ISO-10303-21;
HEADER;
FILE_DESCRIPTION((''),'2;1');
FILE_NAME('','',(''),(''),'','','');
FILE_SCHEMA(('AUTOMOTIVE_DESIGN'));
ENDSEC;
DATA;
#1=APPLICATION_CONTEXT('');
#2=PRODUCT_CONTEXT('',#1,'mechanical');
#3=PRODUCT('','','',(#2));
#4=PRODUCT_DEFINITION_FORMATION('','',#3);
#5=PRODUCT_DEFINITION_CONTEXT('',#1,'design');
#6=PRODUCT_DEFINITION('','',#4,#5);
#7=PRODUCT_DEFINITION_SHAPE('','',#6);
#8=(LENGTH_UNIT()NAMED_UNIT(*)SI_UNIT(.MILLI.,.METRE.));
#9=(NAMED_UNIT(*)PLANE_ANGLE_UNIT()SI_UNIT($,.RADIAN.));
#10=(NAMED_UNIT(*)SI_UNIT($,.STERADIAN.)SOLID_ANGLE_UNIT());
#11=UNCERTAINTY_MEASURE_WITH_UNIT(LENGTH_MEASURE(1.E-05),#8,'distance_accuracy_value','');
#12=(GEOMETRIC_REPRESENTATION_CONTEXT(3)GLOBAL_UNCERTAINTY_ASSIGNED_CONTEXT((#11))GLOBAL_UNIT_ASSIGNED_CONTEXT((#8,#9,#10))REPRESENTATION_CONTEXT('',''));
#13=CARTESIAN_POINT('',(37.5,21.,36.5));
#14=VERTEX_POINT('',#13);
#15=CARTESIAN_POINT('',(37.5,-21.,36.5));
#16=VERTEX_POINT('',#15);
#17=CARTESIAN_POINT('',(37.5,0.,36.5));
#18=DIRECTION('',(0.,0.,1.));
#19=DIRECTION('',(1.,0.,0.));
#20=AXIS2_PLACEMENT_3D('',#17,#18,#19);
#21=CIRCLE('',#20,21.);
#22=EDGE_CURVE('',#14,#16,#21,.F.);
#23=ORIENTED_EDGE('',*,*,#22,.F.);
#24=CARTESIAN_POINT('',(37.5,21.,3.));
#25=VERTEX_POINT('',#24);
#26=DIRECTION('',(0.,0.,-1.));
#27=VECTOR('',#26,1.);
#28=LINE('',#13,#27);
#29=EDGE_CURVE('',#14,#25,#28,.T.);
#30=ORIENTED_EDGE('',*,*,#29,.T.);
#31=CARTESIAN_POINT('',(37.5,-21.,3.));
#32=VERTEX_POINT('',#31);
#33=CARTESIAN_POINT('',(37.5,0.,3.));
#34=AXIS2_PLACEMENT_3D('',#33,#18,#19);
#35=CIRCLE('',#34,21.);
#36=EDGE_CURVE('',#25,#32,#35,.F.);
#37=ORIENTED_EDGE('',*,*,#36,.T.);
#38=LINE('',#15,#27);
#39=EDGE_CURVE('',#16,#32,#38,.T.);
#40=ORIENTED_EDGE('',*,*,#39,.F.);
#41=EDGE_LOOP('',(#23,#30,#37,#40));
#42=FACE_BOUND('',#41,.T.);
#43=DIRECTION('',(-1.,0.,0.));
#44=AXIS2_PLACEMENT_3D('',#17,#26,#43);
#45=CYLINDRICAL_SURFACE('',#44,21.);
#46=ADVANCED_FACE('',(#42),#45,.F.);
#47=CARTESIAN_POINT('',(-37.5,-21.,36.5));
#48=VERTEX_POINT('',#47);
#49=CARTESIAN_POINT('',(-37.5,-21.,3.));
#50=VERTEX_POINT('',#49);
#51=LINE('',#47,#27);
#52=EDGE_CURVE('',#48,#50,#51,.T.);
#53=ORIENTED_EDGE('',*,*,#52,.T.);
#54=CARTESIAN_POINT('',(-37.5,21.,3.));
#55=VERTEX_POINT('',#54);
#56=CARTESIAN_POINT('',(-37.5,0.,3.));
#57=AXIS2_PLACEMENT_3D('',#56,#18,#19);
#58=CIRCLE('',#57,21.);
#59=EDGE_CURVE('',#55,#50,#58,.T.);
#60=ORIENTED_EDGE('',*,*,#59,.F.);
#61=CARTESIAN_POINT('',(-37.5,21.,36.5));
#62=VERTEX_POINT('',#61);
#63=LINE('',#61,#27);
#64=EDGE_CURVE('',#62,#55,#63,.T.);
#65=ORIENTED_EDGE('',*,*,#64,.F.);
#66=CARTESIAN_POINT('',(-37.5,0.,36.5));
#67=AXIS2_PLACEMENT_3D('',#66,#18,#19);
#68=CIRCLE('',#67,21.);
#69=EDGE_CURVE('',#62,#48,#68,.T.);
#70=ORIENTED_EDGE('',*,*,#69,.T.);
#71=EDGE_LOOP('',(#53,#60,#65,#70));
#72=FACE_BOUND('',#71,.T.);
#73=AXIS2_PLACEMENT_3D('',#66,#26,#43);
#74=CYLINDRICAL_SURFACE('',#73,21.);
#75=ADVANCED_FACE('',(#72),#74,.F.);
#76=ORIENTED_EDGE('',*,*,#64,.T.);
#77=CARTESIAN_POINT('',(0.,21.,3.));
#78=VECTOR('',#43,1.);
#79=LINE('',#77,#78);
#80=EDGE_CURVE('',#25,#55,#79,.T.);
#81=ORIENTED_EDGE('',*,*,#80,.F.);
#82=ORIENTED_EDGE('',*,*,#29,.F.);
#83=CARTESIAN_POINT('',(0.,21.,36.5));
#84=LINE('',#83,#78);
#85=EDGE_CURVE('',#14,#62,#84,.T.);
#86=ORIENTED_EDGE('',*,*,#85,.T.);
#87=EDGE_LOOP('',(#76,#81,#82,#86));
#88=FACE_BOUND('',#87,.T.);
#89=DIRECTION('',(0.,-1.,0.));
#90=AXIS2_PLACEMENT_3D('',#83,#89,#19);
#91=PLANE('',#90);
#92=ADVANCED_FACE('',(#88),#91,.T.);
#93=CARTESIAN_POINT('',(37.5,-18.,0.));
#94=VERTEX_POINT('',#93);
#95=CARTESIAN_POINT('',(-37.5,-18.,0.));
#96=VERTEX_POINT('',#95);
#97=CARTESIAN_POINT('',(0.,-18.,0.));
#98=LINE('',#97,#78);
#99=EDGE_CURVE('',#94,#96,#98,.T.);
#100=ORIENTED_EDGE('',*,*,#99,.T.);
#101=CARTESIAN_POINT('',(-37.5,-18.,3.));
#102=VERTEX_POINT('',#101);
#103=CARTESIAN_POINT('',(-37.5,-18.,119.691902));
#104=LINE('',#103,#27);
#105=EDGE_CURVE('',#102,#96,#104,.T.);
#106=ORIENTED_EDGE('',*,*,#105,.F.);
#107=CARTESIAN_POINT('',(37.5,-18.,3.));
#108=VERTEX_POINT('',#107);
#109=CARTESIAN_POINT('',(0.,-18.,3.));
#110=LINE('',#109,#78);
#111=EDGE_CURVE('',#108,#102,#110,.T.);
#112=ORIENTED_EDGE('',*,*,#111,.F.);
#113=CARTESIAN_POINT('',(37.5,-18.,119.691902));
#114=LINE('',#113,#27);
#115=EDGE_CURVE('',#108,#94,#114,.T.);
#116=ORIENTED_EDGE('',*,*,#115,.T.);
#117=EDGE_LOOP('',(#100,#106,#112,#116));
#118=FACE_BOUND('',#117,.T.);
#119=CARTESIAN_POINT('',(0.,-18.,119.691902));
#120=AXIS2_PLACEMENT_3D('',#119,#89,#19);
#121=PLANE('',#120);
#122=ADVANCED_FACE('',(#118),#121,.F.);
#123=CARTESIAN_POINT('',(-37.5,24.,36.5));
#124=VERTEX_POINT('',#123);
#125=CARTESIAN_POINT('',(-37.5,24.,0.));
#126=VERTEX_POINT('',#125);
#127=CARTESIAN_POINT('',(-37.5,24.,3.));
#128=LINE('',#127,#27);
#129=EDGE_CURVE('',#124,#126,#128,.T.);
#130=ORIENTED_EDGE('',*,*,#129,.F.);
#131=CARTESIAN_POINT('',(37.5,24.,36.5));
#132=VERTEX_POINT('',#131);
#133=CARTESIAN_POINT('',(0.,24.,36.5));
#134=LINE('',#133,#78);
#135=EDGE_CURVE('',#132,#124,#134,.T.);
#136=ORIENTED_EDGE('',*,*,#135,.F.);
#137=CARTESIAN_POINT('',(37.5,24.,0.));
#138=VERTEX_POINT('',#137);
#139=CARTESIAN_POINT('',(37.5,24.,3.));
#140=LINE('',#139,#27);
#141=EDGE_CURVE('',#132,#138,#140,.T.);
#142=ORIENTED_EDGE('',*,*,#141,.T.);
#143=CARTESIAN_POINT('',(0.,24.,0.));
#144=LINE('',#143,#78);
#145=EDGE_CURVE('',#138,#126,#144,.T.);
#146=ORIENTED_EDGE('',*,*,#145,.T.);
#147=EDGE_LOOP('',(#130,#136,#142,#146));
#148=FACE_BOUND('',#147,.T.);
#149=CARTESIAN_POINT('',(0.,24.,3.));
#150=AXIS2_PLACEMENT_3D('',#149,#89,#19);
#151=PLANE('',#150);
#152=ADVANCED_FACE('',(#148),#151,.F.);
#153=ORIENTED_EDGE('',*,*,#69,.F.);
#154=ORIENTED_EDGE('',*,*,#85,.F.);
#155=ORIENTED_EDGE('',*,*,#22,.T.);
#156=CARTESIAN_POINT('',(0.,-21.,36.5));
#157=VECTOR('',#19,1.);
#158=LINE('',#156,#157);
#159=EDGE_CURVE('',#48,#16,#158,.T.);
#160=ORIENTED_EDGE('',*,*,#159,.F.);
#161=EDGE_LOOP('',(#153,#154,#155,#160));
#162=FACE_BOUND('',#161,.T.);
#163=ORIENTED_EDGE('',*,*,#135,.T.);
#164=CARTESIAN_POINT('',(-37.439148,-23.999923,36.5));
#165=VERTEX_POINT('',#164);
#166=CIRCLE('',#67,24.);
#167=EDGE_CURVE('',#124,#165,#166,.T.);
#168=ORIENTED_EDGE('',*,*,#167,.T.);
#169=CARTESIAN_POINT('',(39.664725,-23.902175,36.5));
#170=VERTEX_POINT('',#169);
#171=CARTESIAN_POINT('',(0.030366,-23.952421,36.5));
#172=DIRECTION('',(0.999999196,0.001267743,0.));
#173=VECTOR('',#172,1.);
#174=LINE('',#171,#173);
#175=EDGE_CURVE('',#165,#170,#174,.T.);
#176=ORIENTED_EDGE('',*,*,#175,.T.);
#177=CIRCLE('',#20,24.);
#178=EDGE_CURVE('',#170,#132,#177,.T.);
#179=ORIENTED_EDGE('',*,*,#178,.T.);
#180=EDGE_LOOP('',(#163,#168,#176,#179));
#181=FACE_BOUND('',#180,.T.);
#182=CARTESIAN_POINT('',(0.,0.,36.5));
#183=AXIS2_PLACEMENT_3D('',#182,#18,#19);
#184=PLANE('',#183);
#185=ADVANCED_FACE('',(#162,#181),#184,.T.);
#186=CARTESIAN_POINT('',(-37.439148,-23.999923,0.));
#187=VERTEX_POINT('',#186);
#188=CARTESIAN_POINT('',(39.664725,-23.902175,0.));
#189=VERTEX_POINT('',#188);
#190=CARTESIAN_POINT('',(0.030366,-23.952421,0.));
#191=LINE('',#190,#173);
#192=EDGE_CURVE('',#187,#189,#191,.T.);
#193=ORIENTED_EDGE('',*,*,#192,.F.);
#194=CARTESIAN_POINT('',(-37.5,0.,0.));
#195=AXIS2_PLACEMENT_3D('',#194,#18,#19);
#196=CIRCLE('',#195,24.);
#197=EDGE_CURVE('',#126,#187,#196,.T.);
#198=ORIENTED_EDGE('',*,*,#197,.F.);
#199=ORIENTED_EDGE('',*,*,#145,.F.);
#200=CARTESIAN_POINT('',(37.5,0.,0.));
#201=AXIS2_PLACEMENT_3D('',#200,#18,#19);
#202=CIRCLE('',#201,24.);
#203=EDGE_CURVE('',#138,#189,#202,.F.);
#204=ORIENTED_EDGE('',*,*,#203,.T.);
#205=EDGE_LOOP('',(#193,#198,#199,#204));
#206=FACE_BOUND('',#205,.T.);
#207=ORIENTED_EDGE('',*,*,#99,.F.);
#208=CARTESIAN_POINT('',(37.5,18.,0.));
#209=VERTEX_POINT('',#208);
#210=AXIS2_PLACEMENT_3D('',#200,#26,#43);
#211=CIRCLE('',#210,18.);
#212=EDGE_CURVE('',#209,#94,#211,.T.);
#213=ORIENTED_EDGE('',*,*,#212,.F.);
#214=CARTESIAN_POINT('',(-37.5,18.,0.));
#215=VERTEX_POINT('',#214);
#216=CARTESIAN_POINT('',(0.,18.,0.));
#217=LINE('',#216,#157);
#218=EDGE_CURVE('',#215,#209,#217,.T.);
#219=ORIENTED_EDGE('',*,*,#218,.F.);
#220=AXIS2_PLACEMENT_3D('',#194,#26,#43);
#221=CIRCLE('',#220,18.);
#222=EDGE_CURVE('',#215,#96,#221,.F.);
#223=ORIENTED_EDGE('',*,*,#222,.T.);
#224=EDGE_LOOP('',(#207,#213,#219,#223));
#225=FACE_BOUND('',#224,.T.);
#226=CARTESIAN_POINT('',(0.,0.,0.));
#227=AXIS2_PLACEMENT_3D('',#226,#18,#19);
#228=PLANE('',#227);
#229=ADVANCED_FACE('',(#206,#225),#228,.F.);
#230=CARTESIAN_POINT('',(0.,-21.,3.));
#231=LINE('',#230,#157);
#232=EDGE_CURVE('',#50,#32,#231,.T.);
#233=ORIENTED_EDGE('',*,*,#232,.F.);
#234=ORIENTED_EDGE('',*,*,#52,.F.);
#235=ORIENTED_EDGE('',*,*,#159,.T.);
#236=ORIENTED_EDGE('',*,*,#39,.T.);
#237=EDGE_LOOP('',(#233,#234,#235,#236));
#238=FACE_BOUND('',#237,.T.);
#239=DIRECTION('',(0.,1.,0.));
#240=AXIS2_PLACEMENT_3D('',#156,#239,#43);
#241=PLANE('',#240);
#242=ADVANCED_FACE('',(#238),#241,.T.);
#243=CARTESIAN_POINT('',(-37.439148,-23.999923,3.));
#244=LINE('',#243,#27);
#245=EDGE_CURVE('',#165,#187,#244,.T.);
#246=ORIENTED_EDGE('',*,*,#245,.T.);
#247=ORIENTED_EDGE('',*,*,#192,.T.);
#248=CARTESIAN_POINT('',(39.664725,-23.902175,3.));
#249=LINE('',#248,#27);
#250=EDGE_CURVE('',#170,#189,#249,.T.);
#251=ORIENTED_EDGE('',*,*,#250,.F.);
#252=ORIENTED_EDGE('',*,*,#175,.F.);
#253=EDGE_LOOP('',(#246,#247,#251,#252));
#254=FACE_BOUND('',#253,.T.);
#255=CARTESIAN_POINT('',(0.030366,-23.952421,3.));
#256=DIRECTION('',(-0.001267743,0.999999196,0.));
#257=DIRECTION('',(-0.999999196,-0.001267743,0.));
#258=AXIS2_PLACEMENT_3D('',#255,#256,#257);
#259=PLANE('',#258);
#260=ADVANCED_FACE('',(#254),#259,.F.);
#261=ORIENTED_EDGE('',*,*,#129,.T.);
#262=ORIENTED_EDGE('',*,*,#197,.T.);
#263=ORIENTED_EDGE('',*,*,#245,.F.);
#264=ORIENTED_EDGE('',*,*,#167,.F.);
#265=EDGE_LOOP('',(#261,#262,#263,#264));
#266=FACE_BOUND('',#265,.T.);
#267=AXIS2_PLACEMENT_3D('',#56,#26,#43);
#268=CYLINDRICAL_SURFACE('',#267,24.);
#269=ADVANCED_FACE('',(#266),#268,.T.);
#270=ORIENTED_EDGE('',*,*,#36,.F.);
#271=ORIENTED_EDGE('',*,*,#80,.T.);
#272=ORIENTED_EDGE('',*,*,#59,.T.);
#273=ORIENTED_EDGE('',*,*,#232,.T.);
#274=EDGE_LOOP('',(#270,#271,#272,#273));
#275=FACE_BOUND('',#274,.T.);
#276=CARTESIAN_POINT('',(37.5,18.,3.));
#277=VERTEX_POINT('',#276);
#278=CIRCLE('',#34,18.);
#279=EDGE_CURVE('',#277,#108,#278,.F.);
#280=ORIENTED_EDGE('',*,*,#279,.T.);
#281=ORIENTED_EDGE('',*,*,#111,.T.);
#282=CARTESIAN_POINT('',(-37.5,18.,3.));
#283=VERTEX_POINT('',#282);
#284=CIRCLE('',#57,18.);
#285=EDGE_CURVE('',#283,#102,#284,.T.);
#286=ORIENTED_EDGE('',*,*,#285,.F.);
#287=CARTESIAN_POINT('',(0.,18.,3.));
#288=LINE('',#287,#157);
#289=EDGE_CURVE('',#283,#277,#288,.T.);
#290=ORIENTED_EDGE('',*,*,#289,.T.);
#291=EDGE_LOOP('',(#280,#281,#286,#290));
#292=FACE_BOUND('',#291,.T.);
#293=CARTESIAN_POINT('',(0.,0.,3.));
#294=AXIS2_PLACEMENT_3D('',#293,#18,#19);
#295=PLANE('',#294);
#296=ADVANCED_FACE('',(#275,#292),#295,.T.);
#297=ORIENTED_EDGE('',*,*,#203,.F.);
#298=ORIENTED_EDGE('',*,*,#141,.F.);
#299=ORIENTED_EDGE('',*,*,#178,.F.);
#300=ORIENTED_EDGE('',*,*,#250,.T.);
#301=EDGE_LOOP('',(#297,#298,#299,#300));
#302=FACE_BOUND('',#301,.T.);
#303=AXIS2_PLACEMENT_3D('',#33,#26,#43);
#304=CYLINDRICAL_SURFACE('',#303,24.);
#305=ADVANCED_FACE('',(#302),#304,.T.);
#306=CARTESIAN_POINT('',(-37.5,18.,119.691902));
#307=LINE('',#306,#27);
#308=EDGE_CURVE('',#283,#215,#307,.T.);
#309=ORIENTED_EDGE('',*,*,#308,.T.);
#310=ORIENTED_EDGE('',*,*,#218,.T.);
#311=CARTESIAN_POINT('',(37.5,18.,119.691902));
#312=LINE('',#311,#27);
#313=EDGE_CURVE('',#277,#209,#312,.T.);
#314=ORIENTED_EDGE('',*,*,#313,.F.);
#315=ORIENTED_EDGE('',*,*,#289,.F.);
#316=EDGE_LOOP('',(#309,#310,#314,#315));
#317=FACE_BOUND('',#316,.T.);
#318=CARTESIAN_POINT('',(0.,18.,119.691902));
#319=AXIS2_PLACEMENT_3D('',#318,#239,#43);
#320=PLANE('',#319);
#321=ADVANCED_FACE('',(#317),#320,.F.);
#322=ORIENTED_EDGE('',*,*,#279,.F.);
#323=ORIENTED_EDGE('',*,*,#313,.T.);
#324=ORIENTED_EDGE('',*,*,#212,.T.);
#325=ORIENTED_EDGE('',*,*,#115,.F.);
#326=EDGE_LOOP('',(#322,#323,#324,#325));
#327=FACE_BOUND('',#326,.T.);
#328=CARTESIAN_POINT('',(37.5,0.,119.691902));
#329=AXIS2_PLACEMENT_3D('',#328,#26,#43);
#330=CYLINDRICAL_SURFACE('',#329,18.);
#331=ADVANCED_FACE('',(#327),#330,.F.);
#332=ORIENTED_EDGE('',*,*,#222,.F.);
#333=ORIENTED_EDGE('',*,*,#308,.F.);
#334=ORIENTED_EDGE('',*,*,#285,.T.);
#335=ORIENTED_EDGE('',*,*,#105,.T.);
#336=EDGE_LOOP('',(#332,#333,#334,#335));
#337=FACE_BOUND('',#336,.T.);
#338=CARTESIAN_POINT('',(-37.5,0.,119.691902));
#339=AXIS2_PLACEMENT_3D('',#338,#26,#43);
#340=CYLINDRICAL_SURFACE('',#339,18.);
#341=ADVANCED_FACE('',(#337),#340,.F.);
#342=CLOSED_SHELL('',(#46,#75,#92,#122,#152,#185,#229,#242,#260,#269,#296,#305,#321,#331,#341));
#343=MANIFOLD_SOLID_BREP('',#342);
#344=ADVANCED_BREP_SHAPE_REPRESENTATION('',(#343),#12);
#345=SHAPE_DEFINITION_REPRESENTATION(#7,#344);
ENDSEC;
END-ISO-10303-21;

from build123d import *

# Parameters (mm, degrees)
BOSS_EXTRUDE2_DEPTH = 3
BOSS_EXTRUDE3_DEPTH = 33.5
CUT_EXTRUDE1_DEPTH  = 3


with BuildPart() as part:
    # Sketch1 → Boss-Extrude2 (new body)
    with BuildSketch(Plane.XY):
        with BuildLine():
            ThreePointArc((-37.5, 24), (-61.5, 0), (-37.5, -24))
            Line((-37.5, -24), (39.664725273, -23.90217489))
            ThreePointArc((39.664725273, -23.90217489), (61.475531249, 1.083467265), (37.5, 24))
            Line((37.5, 24), (-37.5, 24))
        make_face()
    extrude(amount=BOSS_EXTRUDE2_DEPTH)

    # Sketch3 → Boss-Extrude3 (add)
    with BuildSketch(Plane.XY.offset(3)):
        with BuildLine():
            ThreePointArc((-37.5, 24), (-61.5, 0), (-37.5, -24))
            Line((-37.5, -24), (39.664725273, -23.90217489))
            ThreePointArc((39.664725273, -23.90217489), (61.475531249, 1.083467265), (37.5, 24))
            Line((37.5, 24), (-37.5, 24))
        make_face()
        with BuildLine():
            ThreePointArc((-37.5, -21), (-58.5, 0), (-37.5, 21))
            Line((-37.5, 21), (37.5, 21))
            ThreePointArc((37.5, 21), (58.5, 0), (37.5, -21))
            Line((37.5, -21), (-37.5, -21))
        make_face(mode=Mode.SUBTRACT)
    extrude(amount=BOSS_EXTRUDE3_DEPTH)

    # Sketch4 → Cut-Extrude1 (cut)
    with BuildSketch(Plane(origin=(0, 0, 0), x_dir=(-1, 0, 0), z_dir=(0, 0, -1))):
        with BuildLine():
            ThreePointArc((-37.5, 18), (-55.5, 0), (-37.5, -18))
            Line((-37.5, -18), (37.5, -18))
            ThreePointArc((37.5, -18), (55.5, 0), (37.5, 18))
            Line((37.5, 18), (-37.5, 18))
        make_face()
    extrude(amount=-CUT_EXTRUDE1_DEPTH, mode=Mode.SUBTRACT)


solid = part.part
